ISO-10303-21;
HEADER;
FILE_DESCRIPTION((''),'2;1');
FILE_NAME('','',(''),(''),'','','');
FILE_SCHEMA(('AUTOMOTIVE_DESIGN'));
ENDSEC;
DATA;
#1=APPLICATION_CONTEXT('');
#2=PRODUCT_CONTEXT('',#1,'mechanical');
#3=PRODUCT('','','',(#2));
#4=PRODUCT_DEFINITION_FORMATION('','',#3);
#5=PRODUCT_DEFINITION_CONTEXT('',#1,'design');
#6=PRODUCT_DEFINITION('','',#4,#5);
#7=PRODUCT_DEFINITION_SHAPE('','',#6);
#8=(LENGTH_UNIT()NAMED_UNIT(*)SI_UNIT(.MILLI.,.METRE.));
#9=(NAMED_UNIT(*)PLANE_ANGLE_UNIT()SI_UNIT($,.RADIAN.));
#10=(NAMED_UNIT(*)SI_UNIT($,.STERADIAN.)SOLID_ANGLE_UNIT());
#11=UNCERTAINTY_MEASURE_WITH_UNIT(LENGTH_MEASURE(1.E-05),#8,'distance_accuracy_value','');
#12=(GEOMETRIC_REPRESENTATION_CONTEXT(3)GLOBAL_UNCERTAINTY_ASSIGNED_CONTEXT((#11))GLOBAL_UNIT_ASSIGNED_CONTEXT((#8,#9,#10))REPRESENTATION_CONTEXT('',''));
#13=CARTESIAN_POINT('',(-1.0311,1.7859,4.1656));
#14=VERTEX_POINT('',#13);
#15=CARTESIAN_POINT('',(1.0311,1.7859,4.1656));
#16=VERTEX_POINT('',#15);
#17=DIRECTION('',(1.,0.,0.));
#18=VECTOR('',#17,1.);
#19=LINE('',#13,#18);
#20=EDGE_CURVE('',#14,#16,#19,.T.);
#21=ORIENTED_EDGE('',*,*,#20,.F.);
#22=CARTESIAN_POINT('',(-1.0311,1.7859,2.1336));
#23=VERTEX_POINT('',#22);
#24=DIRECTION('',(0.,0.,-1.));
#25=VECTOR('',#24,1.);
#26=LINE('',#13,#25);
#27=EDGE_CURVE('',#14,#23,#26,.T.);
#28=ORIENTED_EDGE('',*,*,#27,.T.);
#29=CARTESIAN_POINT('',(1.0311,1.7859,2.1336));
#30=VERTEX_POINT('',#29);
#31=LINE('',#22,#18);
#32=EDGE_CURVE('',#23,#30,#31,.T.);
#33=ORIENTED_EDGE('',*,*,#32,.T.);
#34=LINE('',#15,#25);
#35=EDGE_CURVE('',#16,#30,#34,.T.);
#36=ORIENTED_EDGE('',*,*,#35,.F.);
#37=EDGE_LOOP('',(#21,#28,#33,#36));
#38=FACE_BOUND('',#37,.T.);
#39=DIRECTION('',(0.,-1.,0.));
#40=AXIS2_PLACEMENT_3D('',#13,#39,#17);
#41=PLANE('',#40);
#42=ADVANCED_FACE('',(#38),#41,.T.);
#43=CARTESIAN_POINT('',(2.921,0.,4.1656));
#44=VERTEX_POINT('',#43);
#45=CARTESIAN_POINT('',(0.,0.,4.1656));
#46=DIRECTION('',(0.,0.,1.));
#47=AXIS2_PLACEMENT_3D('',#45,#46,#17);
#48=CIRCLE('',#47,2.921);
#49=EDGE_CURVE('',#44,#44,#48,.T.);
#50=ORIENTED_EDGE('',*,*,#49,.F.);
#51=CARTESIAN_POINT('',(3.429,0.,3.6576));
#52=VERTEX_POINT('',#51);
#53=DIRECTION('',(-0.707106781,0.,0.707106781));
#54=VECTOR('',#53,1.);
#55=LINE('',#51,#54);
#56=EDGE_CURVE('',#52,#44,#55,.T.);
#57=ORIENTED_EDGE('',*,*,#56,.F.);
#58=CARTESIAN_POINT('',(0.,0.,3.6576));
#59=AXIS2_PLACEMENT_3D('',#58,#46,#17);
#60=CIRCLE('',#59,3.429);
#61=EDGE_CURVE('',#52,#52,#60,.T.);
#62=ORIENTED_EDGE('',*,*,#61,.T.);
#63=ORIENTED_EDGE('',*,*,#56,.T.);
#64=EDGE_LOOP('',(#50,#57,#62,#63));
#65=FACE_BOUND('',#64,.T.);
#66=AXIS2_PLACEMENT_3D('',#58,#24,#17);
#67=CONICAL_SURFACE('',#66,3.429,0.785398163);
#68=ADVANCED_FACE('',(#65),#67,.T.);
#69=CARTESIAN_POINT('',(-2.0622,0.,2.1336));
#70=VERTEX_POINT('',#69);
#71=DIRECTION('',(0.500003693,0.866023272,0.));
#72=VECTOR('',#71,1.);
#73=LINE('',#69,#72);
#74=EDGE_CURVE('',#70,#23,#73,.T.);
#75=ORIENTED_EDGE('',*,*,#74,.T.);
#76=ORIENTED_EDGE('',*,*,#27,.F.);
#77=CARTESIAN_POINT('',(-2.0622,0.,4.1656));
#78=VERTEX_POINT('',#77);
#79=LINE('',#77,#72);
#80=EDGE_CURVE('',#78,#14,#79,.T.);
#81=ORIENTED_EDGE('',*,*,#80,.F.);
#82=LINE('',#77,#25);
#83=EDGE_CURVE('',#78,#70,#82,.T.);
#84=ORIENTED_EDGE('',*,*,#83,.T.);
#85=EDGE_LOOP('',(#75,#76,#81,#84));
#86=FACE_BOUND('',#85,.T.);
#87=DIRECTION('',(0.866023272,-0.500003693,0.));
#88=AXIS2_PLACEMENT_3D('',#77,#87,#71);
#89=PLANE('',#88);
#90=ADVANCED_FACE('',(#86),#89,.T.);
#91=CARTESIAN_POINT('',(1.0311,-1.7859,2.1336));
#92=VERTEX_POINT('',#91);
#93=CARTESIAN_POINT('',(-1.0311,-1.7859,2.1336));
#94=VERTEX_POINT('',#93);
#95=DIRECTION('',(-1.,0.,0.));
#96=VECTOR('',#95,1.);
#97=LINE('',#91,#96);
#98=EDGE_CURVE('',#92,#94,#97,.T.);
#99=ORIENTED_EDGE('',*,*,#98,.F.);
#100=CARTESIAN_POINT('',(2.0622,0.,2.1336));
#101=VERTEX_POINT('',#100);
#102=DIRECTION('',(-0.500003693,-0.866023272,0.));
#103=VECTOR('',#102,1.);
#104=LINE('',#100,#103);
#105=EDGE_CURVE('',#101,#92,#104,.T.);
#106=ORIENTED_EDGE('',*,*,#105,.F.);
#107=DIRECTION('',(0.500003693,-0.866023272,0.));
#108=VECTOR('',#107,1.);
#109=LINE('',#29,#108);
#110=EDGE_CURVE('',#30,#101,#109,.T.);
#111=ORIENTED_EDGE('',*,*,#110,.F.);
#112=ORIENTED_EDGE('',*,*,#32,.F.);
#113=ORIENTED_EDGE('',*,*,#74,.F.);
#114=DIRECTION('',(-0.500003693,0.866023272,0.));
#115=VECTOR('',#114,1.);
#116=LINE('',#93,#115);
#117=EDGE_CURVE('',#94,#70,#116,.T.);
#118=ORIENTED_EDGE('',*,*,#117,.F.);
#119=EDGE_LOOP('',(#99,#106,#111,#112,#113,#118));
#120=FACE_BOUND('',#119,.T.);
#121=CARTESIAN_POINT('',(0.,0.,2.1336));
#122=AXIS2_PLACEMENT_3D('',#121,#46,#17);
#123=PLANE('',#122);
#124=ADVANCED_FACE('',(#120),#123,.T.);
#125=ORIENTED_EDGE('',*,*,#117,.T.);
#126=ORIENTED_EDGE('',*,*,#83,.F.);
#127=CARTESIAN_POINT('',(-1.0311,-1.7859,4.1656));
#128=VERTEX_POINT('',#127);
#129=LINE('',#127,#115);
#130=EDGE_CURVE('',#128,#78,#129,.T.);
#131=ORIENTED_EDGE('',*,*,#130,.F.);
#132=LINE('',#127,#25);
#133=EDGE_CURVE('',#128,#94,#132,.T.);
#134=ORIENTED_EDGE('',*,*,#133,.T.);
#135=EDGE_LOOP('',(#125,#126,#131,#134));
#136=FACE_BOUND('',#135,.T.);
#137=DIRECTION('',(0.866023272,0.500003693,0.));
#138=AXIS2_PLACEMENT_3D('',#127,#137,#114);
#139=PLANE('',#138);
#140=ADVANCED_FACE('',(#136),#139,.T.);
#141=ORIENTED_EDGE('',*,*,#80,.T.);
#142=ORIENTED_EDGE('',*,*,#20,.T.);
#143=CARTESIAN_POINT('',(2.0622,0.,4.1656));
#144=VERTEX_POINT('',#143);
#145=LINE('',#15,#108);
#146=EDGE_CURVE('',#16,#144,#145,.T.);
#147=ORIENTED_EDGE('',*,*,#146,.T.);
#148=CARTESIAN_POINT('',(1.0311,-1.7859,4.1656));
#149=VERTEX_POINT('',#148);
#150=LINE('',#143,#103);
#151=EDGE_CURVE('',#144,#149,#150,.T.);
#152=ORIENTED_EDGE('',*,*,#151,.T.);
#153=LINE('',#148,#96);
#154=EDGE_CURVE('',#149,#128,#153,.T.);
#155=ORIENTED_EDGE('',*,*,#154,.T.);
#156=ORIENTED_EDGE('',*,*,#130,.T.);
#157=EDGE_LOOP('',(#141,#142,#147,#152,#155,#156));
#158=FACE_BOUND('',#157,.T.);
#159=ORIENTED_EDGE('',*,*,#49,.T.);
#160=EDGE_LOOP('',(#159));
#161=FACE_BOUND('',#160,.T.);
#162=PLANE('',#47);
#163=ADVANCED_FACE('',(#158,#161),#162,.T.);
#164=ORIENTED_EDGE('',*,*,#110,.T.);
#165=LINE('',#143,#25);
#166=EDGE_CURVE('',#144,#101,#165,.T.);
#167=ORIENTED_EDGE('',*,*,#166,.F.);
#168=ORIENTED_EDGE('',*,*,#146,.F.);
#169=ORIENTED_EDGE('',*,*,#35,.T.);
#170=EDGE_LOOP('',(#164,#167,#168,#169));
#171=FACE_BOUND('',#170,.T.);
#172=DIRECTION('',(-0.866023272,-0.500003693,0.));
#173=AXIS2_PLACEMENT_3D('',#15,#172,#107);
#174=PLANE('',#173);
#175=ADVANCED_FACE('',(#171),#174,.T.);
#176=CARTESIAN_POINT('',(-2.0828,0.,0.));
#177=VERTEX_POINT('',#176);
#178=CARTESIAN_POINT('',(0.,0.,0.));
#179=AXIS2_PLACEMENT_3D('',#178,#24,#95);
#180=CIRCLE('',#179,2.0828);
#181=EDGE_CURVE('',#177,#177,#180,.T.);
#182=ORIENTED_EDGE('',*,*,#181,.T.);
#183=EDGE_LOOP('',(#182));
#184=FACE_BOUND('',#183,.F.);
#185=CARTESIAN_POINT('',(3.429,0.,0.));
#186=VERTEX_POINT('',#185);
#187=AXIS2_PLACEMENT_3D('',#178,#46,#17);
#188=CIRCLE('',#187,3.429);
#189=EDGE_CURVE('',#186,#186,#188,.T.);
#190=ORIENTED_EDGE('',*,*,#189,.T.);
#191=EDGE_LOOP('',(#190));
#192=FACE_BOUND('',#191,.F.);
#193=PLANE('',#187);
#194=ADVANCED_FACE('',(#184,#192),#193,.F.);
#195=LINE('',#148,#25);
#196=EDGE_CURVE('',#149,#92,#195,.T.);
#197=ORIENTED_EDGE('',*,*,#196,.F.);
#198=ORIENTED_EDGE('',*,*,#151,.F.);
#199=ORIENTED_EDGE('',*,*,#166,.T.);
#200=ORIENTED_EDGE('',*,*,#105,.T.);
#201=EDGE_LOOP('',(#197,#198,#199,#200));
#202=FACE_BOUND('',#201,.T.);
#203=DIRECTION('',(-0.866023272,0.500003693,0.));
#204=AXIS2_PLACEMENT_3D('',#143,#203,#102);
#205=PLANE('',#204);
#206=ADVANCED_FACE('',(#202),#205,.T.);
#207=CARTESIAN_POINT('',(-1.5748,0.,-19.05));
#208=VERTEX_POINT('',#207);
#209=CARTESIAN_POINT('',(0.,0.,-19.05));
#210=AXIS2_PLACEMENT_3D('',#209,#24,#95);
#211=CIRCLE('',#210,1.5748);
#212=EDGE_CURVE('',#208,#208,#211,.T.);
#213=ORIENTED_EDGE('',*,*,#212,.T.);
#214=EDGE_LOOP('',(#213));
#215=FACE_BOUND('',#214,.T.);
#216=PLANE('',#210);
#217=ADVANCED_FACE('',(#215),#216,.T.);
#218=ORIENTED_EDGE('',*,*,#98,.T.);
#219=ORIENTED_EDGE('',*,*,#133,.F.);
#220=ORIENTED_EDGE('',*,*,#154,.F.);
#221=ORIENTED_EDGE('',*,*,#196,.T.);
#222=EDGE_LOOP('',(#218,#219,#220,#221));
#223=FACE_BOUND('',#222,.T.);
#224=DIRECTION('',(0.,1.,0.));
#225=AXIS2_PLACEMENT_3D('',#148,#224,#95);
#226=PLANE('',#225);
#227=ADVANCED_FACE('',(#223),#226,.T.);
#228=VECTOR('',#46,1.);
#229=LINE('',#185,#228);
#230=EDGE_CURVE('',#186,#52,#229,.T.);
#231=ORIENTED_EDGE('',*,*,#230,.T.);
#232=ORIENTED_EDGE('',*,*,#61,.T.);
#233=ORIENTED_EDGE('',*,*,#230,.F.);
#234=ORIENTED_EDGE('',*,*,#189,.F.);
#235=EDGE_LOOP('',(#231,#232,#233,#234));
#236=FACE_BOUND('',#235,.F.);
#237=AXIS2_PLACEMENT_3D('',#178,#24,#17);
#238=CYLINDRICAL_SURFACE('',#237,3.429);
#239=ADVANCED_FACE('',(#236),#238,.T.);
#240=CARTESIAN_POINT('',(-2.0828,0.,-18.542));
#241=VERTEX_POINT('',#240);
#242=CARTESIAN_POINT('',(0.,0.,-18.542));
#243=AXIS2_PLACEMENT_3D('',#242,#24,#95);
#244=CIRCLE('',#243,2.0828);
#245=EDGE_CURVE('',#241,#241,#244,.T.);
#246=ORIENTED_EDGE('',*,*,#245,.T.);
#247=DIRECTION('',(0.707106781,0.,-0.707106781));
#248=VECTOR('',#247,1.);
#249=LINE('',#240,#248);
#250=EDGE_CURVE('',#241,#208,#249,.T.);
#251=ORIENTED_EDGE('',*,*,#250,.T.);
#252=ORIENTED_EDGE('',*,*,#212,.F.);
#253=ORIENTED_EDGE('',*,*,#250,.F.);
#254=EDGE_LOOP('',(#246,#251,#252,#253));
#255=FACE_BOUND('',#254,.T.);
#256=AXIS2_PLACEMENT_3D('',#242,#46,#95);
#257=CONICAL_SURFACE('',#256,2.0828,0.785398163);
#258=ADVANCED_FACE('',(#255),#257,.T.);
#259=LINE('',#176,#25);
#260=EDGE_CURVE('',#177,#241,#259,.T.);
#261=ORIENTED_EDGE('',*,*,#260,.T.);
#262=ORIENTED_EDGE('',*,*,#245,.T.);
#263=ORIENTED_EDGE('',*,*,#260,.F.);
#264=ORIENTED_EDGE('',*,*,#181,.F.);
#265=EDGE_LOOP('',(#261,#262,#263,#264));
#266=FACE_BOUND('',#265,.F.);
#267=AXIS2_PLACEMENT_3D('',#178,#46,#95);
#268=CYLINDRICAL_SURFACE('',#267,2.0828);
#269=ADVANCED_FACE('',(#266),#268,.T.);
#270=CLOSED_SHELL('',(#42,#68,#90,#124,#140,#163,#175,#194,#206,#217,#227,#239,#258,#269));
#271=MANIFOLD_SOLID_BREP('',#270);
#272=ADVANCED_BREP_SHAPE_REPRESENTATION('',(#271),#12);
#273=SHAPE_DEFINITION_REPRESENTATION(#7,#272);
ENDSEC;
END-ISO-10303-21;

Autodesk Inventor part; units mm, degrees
ref_plane "YZ Plane" through (0, 0, 0) normal (1, 0, 0) x (0, 1, 0)
ref_plane "XZ Plane" through (0, 0, 0) normal (0, 1, 0) x (-1, 0, 0)
ref_plane "XY Plane" through (0, 0, 0) normal (0, 0, 1) x (1, 0, 0)
sketch "Sketch1" plane through (0, 0, 0) normal (0, 0, 1) x (1, 0, 0)
  circle A0 centre (0, 0) radius 3.429
  dimension "d0" = 6.858
extrude "Extrusion1" add sketch "Sketch1" along normal blind 4.1656
sketch "Sketch2" plane through (0, 0, 0) normal (0, 0, -1) x (-1, 0, 0)
  circle A0 centre (0, 0) radius 3.429 projected
  circle A1 centre (0, 0) radius 2.0828
  dimension "d3" = 4.1656
extrude "Extrusion2" add sketch "Sketch2" along normal blind 19.05 contours A1
sketch "Sketch3" plane through (0, 0, 4.1656) normal (0, 0, 1) x (1, 0, 0)
  circle A0 centre (0, 0) radius 3.429 projected
  line L0 (-1.0311, 1.7859) -> (1.0311, 1.7859)
  line L1 (1.0311, 1.7859) -> (2.0622, 0)
  line L2 (2.0622, 0) -> (1.0311, -1.7859)
  line L3 (1.0311, -1.7859) -> (-1.0311, -1.7859)
  line L4 (-1.0311, -1.7859) -> (-2.0622, 0)
  line L5 (-2.0622, 0) -> (-1.0311, 1.7859)
  dimension "d6" = 3.5719
extrude "Extrusion3" cut sketch "Sketch3" against normal blind 2.032 contours L0 L1 L2 L3 L4 L5
thread "Thread1" size "8-32 UNC" class "2A" standard "ANSI Unified Screw Threads" full length
chamfer "Chamfer1" distance 0.508 angle 45 1 edges at (2.0828, 0, -19.05)
chamfer "Chamfer2" distance 0.508 angle 45 1 edges at (-3.429, 0, 4.1656)
properties part number "8-32 SHCS x750" material "Steel"
